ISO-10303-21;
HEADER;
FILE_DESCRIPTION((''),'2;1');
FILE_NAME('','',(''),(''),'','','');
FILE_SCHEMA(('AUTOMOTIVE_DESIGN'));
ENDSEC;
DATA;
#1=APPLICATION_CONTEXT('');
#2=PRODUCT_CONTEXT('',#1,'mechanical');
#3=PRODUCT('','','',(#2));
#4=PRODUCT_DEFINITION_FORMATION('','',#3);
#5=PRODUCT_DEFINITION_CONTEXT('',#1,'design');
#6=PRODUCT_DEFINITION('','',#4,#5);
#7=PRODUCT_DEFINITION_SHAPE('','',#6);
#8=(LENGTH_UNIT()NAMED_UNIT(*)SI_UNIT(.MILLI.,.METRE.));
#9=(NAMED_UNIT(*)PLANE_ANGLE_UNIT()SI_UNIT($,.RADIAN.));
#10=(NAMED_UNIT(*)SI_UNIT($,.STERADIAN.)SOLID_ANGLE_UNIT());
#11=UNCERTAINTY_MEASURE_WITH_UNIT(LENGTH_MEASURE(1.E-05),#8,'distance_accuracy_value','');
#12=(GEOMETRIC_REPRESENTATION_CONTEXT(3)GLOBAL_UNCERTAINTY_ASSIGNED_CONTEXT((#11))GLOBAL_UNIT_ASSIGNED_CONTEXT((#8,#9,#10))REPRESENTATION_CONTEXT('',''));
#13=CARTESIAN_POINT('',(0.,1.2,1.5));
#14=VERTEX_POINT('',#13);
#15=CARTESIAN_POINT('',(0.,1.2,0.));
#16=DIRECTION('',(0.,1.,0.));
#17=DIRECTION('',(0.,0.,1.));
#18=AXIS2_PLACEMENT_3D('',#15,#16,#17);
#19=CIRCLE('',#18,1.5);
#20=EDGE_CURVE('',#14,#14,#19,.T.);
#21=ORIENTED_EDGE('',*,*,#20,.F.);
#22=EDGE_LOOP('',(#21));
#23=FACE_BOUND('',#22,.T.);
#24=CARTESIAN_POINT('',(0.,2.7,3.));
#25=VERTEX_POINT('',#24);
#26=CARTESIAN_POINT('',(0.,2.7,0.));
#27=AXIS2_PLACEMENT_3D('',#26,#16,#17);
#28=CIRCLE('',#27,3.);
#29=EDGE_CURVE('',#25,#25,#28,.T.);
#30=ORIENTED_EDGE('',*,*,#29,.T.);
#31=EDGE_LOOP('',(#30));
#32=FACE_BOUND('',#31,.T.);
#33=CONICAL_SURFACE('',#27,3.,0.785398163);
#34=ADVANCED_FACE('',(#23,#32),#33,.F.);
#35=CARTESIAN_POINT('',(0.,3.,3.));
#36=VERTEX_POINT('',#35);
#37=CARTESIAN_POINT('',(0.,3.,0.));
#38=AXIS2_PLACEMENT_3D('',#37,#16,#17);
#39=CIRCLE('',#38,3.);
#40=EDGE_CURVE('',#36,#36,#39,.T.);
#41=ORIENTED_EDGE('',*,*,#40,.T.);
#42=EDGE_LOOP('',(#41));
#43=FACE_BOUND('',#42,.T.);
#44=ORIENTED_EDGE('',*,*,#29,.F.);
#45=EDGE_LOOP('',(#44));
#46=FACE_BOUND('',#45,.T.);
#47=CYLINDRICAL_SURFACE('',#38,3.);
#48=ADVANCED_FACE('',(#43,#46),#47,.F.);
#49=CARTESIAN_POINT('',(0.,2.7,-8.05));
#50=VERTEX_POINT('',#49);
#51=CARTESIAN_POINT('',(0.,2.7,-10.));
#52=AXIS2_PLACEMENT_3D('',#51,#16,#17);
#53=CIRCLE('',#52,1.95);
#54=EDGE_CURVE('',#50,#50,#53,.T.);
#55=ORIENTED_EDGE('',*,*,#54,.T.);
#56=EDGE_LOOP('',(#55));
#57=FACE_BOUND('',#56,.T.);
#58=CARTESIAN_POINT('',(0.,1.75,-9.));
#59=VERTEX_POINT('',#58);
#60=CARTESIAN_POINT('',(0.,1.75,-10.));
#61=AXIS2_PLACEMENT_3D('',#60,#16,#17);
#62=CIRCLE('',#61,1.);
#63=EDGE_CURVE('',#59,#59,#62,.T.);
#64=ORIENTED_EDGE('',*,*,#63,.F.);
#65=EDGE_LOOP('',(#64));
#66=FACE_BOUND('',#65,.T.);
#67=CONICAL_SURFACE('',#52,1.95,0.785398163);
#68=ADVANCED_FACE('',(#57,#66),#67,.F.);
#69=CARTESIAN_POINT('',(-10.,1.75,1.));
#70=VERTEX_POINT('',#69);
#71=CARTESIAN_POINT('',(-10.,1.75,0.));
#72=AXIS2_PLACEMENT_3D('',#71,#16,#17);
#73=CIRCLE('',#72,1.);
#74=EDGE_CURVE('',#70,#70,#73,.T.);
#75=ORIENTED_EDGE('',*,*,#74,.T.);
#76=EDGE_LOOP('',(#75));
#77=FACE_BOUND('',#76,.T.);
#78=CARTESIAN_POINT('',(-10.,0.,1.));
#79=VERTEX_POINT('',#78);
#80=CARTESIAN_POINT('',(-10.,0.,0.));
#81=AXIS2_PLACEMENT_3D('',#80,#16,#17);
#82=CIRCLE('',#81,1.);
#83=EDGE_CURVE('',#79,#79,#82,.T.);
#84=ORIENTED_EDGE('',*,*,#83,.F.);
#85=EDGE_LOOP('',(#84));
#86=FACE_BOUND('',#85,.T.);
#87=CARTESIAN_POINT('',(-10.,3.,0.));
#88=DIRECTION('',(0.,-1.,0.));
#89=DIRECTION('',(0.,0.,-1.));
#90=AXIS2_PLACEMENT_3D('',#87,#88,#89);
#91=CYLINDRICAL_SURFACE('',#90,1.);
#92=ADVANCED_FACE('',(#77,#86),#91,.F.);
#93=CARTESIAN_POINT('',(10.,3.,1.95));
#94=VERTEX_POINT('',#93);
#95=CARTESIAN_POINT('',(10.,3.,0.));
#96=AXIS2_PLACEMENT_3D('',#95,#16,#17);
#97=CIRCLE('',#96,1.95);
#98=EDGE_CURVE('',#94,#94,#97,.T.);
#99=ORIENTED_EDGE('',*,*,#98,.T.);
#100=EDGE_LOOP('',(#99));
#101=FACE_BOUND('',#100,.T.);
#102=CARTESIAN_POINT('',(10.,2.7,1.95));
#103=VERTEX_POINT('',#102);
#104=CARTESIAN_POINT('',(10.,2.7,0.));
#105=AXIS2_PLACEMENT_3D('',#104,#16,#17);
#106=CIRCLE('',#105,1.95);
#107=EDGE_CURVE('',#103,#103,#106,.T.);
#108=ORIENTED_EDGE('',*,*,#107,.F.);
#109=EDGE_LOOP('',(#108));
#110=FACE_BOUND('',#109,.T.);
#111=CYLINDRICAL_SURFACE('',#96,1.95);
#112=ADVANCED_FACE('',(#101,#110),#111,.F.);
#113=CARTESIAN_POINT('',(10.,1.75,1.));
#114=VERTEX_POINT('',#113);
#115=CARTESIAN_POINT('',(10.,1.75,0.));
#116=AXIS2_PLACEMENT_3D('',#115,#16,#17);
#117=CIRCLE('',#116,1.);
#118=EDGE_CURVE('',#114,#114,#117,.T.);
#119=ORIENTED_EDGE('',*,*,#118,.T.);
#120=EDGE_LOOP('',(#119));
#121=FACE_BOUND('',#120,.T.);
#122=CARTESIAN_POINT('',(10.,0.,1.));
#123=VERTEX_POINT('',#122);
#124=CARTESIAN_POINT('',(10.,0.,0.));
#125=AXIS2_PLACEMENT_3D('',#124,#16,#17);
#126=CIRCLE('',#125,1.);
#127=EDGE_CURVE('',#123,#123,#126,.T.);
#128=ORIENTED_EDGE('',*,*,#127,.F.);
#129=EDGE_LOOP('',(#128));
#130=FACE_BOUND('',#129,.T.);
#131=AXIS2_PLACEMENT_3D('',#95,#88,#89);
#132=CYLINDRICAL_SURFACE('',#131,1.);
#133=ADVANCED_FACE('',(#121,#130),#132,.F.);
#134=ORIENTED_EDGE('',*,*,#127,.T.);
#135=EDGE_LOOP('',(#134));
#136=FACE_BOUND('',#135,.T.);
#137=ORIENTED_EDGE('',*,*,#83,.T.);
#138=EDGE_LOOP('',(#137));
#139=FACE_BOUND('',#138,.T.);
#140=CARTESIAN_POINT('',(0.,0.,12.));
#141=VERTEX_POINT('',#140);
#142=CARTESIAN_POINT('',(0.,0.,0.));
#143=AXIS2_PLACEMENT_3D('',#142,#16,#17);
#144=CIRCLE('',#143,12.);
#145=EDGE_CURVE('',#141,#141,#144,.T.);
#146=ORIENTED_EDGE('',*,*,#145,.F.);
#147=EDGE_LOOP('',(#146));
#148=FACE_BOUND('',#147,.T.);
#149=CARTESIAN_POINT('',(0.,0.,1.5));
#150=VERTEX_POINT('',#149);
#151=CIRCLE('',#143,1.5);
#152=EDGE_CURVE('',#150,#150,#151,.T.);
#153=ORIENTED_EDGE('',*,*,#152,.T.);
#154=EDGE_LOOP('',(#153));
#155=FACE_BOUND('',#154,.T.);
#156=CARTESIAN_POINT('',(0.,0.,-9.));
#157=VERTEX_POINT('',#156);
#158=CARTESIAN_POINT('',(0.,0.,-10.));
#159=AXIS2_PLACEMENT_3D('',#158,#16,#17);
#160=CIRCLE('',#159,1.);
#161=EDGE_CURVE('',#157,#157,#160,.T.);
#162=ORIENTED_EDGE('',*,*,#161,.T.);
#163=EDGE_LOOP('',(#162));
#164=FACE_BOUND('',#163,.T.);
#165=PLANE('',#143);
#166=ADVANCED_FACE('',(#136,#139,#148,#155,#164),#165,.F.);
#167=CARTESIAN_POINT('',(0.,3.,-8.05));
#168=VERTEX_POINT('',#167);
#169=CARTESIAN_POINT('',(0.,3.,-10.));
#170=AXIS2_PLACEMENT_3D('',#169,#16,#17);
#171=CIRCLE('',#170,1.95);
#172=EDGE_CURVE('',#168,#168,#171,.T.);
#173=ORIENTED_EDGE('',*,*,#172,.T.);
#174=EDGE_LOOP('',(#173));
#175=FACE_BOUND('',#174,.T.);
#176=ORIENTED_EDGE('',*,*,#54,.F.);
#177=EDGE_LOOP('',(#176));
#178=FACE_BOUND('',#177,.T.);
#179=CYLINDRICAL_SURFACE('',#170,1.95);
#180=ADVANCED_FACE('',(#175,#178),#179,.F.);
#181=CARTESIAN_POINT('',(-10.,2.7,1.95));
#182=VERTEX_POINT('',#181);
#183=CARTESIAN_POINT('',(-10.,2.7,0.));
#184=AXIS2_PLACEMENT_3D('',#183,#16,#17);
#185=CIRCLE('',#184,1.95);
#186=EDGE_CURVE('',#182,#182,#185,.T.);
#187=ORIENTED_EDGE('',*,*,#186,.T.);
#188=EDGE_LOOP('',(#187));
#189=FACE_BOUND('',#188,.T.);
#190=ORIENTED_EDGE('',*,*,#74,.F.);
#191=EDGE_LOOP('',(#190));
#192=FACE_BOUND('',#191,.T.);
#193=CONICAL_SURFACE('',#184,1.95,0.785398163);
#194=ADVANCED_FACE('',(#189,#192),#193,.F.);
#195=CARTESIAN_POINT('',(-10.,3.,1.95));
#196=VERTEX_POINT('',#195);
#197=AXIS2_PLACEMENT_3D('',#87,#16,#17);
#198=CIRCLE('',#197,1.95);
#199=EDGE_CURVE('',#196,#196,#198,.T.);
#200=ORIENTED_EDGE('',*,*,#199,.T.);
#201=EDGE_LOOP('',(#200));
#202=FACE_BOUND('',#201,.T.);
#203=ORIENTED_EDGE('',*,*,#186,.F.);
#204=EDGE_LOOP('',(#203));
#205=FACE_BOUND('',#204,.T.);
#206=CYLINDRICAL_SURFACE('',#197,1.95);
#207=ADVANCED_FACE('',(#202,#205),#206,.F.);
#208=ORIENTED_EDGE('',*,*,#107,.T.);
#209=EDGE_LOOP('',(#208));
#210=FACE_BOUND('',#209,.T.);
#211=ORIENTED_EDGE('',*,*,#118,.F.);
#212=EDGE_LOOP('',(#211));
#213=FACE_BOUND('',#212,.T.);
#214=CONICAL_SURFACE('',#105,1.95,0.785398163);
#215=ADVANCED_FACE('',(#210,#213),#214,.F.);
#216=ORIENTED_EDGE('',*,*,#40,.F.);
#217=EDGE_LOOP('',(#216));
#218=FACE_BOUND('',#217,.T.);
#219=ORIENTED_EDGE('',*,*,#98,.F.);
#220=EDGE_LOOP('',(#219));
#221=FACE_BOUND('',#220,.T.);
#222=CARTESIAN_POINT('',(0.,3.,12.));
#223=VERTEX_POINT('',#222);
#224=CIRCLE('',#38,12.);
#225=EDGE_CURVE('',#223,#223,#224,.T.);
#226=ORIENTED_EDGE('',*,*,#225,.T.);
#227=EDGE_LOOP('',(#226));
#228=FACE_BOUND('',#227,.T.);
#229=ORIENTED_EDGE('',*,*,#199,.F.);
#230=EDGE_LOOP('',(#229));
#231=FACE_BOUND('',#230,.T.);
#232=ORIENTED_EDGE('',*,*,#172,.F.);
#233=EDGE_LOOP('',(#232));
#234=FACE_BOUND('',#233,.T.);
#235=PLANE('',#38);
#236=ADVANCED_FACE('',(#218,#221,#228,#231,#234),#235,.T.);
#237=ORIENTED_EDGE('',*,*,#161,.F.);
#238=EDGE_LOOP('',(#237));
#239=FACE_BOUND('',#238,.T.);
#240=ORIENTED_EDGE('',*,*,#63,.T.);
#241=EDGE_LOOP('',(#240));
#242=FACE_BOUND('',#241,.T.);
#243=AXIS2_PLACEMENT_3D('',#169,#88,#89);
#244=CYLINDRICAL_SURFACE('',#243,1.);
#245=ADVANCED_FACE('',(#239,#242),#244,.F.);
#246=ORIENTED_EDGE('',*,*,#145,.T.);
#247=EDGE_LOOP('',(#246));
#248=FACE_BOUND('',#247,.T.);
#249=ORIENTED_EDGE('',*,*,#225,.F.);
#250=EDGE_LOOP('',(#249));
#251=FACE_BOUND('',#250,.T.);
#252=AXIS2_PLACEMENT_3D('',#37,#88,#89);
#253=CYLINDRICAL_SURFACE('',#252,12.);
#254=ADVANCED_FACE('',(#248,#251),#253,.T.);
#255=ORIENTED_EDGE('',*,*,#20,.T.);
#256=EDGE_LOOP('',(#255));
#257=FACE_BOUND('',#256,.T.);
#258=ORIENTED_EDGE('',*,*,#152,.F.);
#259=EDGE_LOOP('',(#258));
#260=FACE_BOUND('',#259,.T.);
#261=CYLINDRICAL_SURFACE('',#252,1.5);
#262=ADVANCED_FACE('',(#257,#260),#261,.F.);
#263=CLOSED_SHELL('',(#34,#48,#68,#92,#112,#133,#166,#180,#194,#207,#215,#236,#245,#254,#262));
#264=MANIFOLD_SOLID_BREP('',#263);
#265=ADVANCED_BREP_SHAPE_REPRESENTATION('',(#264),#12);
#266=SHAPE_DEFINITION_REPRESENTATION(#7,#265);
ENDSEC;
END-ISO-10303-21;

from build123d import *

# Parameters (mm, degrees)
SKETCH1_R                                      = 12
SKETCH1_R_2                                    = 1.5
SKETCH1_R_3                                    = 1
BOSS_EXTRUDE1_DEPTH                            = 3
CSK_FOR_M2_FLAT_HEAD_MACHINE_SCREW1_AT_2_COUNT = 2
CSK_FOR_M2_FLAT_HEAD_MACHINE_SCREW1_AT_2_PITCH = 14.142135624
CSK_FOR_M2_FLAT_HEAD_MACHINE_SCREW1_AT_3_COUNT = 2
CSK_FOR_M2_FLAT_HEAD_MACHINE_SCREW1_AT_3_PITCH = 20


with BuildPart() as part:
    # Sketch1 → Boss-Extrude1 (new body)
    with BuildSketch(Plane(origin=(0, 0, 0), x_dir=(1, 0, 0), z_dir=(0, 1, 0))):
        with Locations(Location((0, 0, 0), (0, 0, 270))):
            Circle(SKETCH1_R)
        with Locations(Location((0, 0, 0), (0, 0, 270))):
            Circle(SKETCH1_R_2, mode=Mode.SUBTRACT)
        with Locations(Location((-10, 0, 0), (0, 0, 270))):
            Circle(SKETCH1_R_3, mode=Mode.SUBTRACT)
        with Locations(Location((0, 10, 0), (0, 0, 270))):
            Circle(SKETCH1_R_3, mode=Mode.SUBTRACT)
        with Locations(Location((10, 0, 0), (0, 0, 270))):
            Circle(SKETCH1_R_3, mode=Mode.SUBTRACT)
    extrude(amount=BOSS_EXTRUDE1_DEPTH)

    # Sketch3 → CSK for M2 Flat Head Machine Screw1 (revolve, cut)
    with BuildSketch(Plane(origin=(-10, 3, 0), x_dir=(0, 0, 1), z_dir=(1, 0, 0))):
        Polygon((0, 0), (0, 5.600860619), (1, 5), (1, 1.25), (1.95, 0.3), (1.95, 0), align=None)
    csk_for_m2_flat_head_machine_screw1 = revolve(axis=Axis((-10, 9.35, 0), (0, -1, 0)), mode=Mode.SUBTRACT)

    # CSK for M2 Flat Head Machine Screw1 at 2: CSK for M2 Flat Head Machine Screw1 ×2
    with Locations(*[Vector(0.7071067811865476, 0, -0.7071067811865476) * (i * CSK_FOR_M2_FLAT_HEAD_MACHINE_SCREW1_AT_2_PITCH) for i in range(1, CSK_FOR_M2_FLAT_HEAD_MACHINE_SCREW1_AT_2_COUNT)]):
        add(csk_for_m2_flat_head_machine_screw1, mode=Mode.SUBTRACT)

    # CSK for M2 Flat Head Machine Screw1 at 3: CSK for M2 Flat Head Machine Screw1 ×2
    with Locations(*[(i * CSK_FOR_M2_FLAT_HEAD_MACHINE_SCREW1_AT_3_PITCH, 0, 0) for i in range(1, CSK_FOR_M2_FLAT_HEAD_MACHINE_SCREW1_AT_3_COUNT)]):
        add(csk_for_m2_flat_head_machine_screw1, mode=Mode.SUBTRACT)

    # Sketch5 → CSK for M3 Flat Head Machine Screw1 (revolve, cut)
    with BuildSketch(Plane(origin=(0, 3, 0), x_dir=(0, 0, 1), z_dir=(1, 0, 0))):
        Polygon((0, 0), (0, 5.901290929), (1.5, 5), (1.5, 1.8), (3, 0.3), (3, 0), align=None)
    revolve(axis=Axis((0, 9.35, 0), (0, -1, 0)), mode=Mode.SUBTRACT)


solid = part.part
